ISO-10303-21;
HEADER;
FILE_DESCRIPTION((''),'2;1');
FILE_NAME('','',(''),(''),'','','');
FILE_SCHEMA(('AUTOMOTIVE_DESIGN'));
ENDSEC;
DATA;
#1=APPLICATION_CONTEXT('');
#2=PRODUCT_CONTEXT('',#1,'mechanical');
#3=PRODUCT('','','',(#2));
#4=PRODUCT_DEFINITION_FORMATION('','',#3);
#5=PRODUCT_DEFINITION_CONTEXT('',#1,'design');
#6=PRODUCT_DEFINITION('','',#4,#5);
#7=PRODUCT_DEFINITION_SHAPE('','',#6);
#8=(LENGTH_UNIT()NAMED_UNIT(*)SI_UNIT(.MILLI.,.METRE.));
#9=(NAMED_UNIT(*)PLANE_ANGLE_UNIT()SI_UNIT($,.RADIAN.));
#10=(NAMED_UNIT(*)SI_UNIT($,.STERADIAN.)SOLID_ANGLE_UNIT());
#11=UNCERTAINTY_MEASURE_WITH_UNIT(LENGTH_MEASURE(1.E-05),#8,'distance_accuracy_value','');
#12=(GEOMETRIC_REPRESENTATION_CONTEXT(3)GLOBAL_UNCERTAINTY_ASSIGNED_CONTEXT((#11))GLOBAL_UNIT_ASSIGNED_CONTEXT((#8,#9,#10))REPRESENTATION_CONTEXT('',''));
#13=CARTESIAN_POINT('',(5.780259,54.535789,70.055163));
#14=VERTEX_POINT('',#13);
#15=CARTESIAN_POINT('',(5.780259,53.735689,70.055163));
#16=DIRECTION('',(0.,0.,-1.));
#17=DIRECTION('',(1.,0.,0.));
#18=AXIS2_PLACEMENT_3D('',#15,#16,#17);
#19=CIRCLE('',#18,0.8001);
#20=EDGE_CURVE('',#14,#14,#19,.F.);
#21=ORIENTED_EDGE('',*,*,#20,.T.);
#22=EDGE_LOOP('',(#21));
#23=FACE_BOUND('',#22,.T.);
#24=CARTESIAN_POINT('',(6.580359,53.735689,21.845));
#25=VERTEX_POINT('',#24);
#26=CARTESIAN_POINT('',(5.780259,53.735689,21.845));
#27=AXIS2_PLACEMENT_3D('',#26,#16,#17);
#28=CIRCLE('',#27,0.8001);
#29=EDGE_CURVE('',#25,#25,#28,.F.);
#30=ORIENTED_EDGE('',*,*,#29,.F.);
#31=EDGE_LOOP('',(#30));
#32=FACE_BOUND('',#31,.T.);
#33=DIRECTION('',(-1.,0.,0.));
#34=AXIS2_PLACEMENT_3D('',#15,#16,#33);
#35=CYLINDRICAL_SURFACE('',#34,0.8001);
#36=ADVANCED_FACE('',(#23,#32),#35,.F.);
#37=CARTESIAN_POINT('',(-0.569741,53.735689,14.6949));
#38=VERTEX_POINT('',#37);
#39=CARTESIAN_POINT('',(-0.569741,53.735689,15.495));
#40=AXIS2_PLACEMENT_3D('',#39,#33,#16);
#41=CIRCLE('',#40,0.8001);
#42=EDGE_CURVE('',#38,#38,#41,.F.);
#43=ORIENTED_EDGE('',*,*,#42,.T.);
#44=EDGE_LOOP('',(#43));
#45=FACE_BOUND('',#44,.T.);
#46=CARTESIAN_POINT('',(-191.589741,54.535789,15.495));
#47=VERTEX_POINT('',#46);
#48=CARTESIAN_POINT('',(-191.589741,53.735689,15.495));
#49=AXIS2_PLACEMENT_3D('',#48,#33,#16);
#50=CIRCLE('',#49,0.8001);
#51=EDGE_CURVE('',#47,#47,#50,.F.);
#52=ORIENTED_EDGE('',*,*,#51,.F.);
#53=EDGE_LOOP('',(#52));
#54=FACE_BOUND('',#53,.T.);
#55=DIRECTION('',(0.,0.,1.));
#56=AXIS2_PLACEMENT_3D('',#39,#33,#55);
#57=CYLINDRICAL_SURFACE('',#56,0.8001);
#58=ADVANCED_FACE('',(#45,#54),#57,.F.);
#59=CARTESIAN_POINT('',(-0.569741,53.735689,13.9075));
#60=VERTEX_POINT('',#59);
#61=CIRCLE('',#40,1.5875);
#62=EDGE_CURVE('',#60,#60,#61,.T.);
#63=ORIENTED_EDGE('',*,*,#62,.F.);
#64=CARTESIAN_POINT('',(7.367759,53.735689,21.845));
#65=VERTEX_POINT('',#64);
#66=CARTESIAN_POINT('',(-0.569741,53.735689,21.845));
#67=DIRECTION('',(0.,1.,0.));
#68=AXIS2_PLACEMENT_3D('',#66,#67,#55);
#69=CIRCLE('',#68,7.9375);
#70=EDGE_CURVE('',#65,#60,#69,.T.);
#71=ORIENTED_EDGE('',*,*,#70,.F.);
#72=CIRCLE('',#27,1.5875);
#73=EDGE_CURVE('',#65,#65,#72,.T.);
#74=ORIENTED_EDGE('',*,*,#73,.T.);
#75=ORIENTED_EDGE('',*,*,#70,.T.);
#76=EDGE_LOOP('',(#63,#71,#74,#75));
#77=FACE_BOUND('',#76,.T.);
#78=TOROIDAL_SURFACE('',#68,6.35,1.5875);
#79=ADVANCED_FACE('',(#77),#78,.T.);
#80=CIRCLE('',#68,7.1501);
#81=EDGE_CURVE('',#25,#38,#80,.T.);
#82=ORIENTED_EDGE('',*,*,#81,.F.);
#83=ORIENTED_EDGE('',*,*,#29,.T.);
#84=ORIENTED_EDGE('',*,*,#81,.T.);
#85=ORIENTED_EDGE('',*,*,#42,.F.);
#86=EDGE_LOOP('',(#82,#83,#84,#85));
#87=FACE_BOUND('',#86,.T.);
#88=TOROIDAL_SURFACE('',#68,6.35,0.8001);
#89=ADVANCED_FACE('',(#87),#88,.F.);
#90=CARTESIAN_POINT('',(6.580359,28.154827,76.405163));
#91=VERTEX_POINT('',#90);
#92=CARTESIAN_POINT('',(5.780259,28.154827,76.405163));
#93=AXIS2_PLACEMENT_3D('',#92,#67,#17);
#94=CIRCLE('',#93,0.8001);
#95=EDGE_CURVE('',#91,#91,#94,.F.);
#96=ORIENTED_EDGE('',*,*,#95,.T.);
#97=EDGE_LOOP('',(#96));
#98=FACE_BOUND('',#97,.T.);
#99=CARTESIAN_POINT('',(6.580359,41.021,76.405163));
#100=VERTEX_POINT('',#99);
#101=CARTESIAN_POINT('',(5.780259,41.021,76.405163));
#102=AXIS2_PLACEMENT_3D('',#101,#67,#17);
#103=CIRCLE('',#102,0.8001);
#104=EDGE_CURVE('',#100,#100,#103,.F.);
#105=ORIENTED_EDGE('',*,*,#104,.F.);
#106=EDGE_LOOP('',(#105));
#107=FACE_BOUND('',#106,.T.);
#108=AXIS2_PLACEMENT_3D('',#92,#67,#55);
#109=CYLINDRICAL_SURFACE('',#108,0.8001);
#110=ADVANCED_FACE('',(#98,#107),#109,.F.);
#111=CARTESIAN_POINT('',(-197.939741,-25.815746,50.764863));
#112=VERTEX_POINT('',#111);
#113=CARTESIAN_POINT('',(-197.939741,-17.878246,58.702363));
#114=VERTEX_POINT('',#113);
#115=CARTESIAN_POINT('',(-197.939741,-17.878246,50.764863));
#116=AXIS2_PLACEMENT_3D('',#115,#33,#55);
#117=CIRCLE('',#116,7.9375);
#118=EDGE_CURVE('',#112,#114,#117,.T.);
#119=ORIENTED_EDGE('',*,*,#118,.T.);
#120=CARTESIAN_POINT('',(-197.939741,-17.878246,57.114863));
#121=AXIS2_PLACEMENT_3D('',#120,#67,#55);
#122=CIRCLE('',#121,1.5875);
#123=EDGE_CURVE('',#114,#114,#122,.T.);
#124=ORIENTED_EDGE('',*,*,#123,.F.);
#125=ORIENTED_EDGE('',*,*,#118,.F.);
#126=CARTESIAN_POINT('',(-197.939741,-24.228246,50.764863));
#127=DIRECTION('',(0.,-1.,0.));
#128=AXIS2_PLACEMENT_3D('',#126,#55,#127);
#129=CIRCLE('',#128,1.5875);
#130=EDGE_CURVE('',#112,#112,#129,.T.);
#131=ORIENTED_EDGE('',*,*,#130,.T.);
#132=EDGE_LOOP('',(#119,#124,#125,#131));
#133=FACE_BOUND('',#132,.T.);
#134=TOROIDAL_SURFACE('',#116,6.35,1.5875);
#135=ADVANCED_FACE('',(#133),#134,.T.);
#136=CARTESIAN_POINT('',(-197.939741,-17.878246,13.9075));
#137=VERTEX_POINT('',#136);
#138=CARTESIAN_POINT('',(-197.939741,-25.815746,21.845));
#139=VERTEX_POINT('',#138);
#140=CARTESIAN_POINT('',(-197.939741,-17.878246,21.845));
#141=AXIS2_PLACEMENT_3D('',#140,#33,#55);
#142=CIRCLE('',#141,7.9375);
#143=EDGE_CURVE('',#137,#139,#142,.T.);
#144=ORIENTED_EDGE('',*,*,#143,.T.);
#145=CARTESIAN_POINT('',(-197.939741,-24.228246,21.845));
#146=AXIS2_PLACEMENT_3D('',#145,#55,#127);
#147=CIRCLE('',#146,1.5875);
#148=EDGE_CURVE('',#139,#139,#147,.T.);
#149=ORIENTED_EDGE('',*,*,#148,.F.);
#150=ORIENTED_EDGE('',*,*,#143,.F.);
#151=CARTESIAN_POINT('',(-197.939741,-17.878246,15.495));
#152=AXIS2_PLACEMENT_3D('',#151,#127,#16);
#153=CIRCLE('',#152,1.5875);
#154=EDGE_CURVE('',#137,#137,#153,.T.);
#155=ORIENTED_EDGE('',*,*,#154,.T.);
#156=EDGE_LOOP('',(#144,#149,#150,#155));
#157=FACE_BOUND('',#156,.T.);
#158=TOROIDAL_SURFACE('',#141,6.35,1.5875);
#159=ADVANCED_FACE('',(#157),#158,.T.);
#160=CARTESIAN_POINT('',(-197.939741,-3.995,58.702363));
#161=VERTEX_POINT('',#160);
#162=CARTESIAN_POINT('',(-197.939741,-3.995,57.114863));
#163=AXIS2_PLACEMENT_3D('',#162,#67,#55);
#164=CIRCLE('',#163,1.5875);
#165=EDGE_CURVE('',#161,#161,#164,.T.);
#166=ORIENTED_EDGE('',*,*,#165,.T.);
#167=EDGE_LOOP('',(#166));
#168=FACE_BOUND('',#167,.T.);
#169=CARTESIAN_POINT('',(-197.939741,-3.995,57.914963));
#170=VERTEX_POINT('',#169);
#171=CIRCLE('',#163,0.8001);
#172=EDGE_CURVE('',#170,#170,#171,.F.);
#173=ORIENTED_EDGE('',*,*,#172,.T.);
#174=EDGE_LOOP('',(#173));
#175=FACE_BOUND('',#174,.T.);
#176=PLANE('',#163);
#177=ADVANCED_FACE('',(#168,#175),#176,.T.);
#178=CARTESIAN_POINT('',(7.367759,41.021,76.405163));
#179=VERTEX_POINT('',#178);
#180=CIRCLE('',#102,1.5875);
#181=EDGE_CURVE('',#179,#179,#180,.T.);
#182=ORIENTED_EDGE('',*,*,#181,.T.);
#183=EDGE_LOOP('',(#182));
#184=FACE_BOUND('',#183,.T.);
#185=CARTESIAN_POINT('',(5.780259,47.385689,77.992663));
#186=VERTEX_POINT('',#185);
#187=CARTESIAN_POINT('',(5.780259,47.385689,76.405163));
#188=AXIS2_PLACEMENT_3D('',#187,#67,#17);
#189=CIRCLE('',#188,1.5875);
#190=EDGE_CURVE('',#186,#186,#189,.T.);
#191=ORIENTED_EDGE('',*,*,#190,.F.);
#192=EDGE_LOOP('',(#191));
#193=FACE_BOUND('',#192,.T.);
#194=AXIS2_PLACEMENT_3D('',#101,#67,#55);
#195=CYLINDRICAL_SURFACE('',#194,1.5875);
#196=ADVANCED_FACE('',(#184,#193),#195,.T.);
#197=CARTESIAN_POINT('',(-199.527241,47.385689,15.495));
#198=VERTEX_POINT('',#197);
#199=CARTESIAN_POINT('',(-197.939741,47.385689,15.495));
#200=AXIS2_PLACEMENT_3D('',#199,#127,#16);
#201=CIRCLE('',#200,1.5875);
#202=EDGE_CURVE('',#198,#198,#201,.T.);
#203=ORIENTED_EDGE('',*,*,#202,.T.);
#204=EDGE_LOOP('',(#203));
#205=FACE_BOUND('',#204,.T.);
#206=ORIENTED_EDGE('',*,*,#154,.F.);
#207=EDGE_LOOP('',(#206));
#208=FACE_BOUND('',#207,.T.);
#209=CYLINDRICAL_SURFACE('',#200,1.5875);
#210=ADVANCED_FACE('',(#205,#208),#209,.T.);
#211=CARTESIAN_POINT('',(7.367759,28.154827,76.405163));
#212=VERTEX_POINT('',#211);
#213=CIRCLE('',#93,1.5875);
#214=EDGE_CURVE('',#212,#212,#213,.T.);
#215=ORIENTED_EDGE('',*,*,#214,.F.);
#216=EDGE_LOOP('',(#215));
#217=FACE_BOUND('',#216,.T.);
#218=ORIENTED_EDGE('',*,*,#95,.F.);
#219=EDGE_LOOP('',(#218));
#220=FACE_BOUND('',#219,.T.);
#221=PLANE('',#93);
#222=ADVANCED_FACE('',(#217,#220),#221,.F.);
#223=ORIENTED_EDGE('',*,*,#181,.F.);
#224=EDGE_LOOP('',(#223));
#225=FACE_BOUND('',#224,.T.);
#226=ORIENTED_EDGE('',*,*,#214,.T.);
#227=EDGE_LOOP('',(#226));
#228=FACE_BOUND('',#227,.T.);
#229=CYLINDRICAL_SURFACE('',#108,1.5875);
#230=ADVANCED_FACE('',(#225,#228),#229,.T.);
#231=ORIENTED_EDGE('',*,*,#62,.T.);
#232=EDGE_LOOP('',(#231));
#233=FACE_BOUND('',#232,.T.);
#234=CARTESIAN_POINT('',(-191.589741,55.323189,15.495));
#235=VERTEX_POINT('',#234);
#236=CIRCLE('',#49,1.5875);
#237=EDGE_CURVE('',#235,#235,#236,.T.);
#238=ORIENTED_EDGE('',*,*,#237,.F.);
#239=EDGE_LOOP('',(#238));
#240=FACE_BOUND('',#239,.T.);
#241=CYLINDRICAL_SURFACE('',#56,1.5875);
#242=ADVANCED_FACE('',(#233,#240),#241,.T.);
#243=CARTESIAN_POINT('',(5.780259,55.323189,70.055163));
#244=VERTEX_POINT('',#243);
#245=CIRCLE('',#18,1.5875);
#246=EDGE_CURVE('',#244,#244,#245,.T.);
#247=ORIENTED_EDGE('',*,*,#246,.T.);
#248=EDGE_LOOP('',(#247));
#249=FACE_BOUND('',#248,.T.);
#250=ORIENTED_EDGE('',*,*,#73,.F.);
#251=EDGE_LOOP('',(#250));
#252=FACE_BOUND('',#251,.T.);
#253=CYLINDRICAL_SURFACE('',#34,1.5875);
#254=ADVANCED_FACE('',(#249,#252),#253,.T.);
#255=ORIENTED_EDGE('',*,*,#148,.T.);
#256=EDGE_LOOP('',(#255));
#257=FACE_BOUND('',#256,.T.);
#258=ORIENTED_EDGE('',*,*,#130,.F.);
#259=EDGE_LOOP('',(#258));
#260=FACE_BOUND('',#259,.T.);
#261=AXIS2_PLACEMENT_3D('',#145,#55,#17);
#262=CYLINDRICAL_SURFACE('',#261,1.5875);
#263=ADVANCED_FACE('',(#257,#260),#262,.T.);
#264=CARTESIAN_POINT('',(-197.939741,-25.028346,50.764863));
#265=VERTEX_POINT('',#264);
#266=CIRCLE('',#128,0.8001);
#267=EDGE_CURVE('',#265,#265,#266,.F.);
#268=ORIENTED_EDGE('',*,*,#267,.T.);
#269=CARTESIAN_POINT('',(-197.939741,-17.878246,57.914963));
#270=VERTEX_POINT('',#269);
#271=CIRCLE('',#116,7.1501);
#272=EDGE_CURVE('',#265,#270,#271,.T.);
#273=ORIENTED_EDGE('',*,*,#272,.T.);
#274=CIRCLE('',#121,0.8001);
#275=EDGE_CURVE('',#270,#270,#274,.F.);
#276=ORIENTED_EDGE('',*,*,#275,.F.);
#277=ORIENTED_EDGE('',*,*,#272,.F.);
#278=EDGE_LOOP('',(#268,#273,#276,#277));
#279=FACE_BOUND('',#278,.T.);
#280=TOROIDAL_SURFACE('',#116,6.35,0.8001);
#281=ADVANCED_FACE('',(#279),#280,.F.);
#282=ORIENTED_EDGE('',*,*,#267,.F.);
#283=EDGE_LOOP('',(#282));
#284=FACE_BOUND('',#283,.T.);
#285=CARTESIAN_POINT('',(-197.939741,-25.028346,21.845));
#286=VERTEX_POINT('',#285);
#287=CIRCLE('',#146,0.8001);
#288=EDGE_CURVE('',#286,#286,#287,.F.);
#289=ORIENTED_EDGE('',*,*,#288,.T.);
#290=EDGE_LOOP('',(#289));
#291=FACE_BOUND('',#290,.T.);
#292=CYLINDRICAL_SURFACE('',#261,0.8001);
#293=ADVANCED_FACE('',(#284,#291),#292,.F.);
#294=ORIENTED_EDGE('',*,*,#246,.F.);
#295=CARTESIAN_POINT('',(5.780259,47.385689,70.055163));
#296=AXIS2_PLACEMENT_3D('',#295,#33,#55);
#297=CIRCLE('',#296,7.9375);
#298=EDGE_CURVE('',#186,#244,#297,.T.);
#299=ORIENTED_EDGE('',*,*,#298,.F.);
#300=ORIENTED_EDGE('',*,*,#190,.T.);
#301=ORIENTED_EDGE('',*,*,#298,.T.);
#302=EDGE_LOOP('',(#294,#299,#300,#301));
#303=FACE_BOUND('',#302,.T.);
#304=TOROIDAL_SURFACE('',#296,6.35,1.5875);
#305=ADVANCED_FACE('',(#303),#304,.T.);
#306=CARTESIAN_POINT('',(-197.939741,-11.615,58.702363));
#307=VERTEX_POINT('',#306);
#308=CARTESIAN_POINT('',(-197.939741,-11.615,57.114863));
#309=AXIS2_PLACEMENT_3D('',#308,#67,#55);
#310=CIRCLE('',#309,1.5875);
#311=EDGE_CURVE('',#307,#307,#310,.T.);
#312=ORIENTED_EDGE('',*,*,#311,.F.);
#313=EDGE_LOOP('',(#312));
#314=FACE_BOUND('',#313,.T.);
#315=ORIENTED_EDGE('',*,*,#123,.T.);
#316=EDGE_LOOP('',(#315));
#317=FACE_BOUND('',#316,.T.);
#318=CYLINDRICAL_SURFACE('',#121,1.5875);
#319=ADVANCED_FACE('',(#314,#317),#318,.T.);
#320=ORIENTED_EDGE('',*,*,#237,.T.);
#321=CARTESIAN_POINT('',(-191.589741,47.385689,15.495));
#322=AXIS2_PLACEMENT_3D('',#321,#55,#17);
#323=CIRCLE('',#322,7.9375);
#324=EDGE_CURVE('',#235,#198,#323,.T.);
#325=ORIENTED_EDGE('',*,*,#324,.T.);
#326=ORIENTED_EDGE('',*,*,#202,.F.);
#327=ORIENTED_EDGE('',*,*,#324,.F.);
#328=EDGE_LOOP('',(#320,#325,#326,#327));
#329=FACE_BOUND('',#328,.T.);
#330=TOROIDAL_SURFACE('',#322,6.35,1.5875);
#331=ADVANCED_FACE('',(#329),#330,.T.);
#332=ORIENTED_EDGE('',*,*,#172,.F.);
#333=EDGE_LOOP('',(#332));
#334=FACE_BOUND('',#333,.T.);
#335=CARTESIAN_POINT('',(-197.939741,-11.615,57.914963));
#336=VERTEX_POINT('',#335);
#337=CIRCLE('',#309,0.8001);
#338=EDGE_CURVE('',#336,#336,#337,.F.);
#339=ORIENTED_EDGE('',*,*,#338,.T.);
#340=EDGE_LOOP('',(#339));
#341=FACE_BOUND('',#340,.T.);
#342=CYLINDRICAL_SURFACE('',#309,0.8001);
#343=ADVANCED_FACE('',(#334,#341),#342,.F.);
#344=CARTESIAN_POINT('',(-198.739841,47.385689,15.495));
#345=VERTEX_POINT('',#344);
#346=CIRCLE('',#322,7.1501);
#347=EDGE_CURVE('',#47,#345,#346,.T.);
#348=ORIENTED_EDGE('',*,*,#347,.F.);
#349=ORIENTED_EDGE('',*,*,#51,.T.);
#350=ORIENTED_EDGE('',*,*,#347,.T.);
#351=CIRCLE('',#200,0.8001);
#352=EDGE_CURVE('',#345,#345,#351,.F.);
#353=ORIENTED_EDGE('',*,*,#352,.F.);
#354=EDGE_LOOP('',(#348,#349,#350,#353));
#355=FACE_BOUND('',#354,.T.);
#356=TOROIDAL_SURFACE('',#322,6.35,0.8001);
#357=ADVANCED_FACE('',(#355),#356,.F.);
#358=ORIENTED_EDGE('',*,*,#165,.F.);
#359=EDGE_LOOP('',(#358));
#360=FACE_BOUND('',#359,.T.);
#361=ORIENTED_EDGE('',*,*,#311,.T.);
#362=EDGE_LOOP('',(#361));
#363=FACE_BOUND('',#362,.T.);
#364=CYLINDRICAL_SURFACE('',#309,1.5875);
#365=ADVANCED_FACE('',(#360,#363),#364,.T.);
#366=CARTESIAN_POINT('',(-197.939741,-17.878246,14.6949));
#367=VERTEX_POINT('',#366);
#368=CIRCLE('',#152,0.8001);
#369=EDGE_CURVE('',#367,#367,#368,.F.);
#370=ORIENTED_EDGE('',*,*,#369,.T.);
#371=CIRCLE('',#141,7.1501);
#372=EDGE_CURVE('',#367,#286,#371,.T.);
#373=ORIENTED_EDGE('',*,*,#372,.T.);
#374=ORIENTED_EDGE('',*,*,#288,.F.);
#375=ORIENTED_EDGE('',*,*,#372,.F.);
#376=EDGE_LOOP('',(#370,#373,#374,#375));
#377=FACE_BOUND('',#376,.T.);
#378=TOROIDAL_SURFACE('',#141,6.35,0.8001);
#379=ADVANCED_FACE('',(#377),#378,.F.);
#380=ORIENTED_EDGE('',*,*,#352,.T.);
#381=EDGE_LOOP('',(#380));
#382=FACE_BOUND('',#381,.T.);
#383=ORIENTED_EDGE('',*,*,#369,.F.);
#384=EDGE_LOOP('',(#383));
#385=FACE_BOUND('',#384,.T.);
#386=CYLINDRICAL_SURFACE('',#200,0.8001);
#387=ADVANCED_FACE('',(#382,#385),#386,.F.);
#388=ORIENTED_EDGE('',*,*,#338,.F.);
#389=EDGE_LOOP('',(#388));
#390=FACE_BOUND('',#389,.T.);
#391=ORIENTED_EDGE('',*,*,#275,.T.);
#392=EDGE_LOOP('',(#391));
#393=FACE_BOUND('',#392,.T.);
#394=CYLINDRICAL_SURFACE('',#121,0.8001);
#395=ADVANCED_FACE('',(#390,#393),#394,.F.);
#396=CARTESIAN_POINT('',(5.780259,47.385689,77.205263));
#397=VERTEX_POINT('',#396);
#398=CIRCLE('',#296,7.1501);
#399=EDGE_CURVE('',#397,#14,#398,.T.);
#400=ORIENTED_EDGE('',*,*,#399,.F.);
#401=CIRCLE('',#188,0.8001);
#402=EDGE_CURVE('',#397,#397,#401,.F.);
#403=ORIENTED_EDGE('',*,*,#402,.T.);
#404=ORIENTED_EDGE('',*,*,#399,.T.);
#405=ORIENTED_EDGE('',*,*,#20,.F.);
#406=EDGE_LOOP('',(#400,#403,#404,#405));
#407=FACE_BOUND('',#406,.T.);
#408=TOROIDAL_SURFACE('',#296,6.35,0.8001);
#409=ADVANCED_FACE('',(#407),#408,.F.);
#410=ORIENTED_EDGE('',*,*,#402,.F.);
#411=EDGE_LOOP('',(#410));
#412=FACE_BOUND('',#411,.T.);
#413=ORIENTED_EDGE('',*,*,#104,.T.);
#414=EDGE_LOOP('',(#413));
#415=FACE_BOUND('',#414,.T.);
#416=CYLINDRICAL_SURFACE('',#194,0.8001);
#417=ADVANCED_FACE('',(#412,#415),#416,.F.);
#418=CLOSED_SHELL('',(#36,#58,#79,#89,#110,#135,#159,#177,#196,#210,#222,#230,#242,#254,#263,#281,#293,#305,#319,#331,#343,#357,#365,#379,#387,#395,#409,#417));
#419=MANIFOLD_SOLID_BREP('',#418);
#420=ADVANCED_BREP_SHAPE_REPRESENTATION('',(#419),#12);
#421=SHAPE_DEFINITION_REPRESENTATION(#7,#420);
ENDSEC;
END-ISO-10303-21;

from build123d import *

# Parameters (mm, degrees)
SKETCH1_R   = 1.5875
SKETCH1_R_2 = 0.8001


with BuildPart() as part:
    # Sweep1: sweep along a curve in space
    with BuildLine() as sweep1_path:
        Line((-197.939741051, -11.615, 57.114862899), (-197.939741051, -3.995, 57.114862899))
        Line((-197.939741051, -11.615, 57.114862899), (-197.939741051, -17.878246192, 57.114862899))
        ThreePointArc((-197.939741051, -17.878246192, 57.114862899), (-197.939741051, -22.368374252, 55.25499096), (-197.939741051, -24.228246192, 50.764862899))
        Line((-197.939741051, -24.228246192, 50.764862899), (-197.939741051, -24.228246192, 21.844999987))
        ThreePointArc((-197.939741051, -24.228246192, 21.844999987), (-197.939741051, -22.368374252, 17.354871927), (-197.939741051, -17.878246192, 15.494999987))
        Line((-197.939741051, -17.878246192, 15.494999987), (-197.939741051, 47.385689331, 15.494999987))
        ThreePointArc((-197.939741051, 47.385689331, 15.494999987), (-196.079869112, 51.875817391, 15.494999987), (-191.589741051, 53.735689331, 15.494999987))
        Line((-191.589741051, 53.735689331, 15.494999987), (-0.569741051, 53.735689331, 15.494999987))
        ThreePointArc((5.780258949, 53.735689331, 21.844999987), (3.920387009, 53.735689331, 17.354871927), (-0.569741051, 53.735689331, 15.494999987))
        Line((5.780258949, 53.735689331, 70.055162899), (5.780258949, 53.735689331, 21.844999987))
        ThreePointArc((5.780258949, 47.385689331, 76.405162899), (5.780258949, 51.875817391, 74.54529096), (5.780258949, 53.735689331, 70.055162899))
        Line((5.780258949, 41.021, 76.405162899), (5.780258949, 47.385689331, 76.405162899))
        Line((5.780258949, 41.021, 76.405162899), (5.780258949, 28.15482701, 76.405162899))
    # Sketch1 → Sweep1 (sweep)
    with BuildSketch(Plane(origin=(-197.939741051, -3.995, 57.114862899), x_dir=(1, 0, 0), z_dir=(0, 1, 0))):
        Circle(SKETCH1_R)
        Circle(SKETCH1_R_2, mode=Mode.SUBTRACT)
    sweep(path=sweep1_path.line)


solid = part.part
